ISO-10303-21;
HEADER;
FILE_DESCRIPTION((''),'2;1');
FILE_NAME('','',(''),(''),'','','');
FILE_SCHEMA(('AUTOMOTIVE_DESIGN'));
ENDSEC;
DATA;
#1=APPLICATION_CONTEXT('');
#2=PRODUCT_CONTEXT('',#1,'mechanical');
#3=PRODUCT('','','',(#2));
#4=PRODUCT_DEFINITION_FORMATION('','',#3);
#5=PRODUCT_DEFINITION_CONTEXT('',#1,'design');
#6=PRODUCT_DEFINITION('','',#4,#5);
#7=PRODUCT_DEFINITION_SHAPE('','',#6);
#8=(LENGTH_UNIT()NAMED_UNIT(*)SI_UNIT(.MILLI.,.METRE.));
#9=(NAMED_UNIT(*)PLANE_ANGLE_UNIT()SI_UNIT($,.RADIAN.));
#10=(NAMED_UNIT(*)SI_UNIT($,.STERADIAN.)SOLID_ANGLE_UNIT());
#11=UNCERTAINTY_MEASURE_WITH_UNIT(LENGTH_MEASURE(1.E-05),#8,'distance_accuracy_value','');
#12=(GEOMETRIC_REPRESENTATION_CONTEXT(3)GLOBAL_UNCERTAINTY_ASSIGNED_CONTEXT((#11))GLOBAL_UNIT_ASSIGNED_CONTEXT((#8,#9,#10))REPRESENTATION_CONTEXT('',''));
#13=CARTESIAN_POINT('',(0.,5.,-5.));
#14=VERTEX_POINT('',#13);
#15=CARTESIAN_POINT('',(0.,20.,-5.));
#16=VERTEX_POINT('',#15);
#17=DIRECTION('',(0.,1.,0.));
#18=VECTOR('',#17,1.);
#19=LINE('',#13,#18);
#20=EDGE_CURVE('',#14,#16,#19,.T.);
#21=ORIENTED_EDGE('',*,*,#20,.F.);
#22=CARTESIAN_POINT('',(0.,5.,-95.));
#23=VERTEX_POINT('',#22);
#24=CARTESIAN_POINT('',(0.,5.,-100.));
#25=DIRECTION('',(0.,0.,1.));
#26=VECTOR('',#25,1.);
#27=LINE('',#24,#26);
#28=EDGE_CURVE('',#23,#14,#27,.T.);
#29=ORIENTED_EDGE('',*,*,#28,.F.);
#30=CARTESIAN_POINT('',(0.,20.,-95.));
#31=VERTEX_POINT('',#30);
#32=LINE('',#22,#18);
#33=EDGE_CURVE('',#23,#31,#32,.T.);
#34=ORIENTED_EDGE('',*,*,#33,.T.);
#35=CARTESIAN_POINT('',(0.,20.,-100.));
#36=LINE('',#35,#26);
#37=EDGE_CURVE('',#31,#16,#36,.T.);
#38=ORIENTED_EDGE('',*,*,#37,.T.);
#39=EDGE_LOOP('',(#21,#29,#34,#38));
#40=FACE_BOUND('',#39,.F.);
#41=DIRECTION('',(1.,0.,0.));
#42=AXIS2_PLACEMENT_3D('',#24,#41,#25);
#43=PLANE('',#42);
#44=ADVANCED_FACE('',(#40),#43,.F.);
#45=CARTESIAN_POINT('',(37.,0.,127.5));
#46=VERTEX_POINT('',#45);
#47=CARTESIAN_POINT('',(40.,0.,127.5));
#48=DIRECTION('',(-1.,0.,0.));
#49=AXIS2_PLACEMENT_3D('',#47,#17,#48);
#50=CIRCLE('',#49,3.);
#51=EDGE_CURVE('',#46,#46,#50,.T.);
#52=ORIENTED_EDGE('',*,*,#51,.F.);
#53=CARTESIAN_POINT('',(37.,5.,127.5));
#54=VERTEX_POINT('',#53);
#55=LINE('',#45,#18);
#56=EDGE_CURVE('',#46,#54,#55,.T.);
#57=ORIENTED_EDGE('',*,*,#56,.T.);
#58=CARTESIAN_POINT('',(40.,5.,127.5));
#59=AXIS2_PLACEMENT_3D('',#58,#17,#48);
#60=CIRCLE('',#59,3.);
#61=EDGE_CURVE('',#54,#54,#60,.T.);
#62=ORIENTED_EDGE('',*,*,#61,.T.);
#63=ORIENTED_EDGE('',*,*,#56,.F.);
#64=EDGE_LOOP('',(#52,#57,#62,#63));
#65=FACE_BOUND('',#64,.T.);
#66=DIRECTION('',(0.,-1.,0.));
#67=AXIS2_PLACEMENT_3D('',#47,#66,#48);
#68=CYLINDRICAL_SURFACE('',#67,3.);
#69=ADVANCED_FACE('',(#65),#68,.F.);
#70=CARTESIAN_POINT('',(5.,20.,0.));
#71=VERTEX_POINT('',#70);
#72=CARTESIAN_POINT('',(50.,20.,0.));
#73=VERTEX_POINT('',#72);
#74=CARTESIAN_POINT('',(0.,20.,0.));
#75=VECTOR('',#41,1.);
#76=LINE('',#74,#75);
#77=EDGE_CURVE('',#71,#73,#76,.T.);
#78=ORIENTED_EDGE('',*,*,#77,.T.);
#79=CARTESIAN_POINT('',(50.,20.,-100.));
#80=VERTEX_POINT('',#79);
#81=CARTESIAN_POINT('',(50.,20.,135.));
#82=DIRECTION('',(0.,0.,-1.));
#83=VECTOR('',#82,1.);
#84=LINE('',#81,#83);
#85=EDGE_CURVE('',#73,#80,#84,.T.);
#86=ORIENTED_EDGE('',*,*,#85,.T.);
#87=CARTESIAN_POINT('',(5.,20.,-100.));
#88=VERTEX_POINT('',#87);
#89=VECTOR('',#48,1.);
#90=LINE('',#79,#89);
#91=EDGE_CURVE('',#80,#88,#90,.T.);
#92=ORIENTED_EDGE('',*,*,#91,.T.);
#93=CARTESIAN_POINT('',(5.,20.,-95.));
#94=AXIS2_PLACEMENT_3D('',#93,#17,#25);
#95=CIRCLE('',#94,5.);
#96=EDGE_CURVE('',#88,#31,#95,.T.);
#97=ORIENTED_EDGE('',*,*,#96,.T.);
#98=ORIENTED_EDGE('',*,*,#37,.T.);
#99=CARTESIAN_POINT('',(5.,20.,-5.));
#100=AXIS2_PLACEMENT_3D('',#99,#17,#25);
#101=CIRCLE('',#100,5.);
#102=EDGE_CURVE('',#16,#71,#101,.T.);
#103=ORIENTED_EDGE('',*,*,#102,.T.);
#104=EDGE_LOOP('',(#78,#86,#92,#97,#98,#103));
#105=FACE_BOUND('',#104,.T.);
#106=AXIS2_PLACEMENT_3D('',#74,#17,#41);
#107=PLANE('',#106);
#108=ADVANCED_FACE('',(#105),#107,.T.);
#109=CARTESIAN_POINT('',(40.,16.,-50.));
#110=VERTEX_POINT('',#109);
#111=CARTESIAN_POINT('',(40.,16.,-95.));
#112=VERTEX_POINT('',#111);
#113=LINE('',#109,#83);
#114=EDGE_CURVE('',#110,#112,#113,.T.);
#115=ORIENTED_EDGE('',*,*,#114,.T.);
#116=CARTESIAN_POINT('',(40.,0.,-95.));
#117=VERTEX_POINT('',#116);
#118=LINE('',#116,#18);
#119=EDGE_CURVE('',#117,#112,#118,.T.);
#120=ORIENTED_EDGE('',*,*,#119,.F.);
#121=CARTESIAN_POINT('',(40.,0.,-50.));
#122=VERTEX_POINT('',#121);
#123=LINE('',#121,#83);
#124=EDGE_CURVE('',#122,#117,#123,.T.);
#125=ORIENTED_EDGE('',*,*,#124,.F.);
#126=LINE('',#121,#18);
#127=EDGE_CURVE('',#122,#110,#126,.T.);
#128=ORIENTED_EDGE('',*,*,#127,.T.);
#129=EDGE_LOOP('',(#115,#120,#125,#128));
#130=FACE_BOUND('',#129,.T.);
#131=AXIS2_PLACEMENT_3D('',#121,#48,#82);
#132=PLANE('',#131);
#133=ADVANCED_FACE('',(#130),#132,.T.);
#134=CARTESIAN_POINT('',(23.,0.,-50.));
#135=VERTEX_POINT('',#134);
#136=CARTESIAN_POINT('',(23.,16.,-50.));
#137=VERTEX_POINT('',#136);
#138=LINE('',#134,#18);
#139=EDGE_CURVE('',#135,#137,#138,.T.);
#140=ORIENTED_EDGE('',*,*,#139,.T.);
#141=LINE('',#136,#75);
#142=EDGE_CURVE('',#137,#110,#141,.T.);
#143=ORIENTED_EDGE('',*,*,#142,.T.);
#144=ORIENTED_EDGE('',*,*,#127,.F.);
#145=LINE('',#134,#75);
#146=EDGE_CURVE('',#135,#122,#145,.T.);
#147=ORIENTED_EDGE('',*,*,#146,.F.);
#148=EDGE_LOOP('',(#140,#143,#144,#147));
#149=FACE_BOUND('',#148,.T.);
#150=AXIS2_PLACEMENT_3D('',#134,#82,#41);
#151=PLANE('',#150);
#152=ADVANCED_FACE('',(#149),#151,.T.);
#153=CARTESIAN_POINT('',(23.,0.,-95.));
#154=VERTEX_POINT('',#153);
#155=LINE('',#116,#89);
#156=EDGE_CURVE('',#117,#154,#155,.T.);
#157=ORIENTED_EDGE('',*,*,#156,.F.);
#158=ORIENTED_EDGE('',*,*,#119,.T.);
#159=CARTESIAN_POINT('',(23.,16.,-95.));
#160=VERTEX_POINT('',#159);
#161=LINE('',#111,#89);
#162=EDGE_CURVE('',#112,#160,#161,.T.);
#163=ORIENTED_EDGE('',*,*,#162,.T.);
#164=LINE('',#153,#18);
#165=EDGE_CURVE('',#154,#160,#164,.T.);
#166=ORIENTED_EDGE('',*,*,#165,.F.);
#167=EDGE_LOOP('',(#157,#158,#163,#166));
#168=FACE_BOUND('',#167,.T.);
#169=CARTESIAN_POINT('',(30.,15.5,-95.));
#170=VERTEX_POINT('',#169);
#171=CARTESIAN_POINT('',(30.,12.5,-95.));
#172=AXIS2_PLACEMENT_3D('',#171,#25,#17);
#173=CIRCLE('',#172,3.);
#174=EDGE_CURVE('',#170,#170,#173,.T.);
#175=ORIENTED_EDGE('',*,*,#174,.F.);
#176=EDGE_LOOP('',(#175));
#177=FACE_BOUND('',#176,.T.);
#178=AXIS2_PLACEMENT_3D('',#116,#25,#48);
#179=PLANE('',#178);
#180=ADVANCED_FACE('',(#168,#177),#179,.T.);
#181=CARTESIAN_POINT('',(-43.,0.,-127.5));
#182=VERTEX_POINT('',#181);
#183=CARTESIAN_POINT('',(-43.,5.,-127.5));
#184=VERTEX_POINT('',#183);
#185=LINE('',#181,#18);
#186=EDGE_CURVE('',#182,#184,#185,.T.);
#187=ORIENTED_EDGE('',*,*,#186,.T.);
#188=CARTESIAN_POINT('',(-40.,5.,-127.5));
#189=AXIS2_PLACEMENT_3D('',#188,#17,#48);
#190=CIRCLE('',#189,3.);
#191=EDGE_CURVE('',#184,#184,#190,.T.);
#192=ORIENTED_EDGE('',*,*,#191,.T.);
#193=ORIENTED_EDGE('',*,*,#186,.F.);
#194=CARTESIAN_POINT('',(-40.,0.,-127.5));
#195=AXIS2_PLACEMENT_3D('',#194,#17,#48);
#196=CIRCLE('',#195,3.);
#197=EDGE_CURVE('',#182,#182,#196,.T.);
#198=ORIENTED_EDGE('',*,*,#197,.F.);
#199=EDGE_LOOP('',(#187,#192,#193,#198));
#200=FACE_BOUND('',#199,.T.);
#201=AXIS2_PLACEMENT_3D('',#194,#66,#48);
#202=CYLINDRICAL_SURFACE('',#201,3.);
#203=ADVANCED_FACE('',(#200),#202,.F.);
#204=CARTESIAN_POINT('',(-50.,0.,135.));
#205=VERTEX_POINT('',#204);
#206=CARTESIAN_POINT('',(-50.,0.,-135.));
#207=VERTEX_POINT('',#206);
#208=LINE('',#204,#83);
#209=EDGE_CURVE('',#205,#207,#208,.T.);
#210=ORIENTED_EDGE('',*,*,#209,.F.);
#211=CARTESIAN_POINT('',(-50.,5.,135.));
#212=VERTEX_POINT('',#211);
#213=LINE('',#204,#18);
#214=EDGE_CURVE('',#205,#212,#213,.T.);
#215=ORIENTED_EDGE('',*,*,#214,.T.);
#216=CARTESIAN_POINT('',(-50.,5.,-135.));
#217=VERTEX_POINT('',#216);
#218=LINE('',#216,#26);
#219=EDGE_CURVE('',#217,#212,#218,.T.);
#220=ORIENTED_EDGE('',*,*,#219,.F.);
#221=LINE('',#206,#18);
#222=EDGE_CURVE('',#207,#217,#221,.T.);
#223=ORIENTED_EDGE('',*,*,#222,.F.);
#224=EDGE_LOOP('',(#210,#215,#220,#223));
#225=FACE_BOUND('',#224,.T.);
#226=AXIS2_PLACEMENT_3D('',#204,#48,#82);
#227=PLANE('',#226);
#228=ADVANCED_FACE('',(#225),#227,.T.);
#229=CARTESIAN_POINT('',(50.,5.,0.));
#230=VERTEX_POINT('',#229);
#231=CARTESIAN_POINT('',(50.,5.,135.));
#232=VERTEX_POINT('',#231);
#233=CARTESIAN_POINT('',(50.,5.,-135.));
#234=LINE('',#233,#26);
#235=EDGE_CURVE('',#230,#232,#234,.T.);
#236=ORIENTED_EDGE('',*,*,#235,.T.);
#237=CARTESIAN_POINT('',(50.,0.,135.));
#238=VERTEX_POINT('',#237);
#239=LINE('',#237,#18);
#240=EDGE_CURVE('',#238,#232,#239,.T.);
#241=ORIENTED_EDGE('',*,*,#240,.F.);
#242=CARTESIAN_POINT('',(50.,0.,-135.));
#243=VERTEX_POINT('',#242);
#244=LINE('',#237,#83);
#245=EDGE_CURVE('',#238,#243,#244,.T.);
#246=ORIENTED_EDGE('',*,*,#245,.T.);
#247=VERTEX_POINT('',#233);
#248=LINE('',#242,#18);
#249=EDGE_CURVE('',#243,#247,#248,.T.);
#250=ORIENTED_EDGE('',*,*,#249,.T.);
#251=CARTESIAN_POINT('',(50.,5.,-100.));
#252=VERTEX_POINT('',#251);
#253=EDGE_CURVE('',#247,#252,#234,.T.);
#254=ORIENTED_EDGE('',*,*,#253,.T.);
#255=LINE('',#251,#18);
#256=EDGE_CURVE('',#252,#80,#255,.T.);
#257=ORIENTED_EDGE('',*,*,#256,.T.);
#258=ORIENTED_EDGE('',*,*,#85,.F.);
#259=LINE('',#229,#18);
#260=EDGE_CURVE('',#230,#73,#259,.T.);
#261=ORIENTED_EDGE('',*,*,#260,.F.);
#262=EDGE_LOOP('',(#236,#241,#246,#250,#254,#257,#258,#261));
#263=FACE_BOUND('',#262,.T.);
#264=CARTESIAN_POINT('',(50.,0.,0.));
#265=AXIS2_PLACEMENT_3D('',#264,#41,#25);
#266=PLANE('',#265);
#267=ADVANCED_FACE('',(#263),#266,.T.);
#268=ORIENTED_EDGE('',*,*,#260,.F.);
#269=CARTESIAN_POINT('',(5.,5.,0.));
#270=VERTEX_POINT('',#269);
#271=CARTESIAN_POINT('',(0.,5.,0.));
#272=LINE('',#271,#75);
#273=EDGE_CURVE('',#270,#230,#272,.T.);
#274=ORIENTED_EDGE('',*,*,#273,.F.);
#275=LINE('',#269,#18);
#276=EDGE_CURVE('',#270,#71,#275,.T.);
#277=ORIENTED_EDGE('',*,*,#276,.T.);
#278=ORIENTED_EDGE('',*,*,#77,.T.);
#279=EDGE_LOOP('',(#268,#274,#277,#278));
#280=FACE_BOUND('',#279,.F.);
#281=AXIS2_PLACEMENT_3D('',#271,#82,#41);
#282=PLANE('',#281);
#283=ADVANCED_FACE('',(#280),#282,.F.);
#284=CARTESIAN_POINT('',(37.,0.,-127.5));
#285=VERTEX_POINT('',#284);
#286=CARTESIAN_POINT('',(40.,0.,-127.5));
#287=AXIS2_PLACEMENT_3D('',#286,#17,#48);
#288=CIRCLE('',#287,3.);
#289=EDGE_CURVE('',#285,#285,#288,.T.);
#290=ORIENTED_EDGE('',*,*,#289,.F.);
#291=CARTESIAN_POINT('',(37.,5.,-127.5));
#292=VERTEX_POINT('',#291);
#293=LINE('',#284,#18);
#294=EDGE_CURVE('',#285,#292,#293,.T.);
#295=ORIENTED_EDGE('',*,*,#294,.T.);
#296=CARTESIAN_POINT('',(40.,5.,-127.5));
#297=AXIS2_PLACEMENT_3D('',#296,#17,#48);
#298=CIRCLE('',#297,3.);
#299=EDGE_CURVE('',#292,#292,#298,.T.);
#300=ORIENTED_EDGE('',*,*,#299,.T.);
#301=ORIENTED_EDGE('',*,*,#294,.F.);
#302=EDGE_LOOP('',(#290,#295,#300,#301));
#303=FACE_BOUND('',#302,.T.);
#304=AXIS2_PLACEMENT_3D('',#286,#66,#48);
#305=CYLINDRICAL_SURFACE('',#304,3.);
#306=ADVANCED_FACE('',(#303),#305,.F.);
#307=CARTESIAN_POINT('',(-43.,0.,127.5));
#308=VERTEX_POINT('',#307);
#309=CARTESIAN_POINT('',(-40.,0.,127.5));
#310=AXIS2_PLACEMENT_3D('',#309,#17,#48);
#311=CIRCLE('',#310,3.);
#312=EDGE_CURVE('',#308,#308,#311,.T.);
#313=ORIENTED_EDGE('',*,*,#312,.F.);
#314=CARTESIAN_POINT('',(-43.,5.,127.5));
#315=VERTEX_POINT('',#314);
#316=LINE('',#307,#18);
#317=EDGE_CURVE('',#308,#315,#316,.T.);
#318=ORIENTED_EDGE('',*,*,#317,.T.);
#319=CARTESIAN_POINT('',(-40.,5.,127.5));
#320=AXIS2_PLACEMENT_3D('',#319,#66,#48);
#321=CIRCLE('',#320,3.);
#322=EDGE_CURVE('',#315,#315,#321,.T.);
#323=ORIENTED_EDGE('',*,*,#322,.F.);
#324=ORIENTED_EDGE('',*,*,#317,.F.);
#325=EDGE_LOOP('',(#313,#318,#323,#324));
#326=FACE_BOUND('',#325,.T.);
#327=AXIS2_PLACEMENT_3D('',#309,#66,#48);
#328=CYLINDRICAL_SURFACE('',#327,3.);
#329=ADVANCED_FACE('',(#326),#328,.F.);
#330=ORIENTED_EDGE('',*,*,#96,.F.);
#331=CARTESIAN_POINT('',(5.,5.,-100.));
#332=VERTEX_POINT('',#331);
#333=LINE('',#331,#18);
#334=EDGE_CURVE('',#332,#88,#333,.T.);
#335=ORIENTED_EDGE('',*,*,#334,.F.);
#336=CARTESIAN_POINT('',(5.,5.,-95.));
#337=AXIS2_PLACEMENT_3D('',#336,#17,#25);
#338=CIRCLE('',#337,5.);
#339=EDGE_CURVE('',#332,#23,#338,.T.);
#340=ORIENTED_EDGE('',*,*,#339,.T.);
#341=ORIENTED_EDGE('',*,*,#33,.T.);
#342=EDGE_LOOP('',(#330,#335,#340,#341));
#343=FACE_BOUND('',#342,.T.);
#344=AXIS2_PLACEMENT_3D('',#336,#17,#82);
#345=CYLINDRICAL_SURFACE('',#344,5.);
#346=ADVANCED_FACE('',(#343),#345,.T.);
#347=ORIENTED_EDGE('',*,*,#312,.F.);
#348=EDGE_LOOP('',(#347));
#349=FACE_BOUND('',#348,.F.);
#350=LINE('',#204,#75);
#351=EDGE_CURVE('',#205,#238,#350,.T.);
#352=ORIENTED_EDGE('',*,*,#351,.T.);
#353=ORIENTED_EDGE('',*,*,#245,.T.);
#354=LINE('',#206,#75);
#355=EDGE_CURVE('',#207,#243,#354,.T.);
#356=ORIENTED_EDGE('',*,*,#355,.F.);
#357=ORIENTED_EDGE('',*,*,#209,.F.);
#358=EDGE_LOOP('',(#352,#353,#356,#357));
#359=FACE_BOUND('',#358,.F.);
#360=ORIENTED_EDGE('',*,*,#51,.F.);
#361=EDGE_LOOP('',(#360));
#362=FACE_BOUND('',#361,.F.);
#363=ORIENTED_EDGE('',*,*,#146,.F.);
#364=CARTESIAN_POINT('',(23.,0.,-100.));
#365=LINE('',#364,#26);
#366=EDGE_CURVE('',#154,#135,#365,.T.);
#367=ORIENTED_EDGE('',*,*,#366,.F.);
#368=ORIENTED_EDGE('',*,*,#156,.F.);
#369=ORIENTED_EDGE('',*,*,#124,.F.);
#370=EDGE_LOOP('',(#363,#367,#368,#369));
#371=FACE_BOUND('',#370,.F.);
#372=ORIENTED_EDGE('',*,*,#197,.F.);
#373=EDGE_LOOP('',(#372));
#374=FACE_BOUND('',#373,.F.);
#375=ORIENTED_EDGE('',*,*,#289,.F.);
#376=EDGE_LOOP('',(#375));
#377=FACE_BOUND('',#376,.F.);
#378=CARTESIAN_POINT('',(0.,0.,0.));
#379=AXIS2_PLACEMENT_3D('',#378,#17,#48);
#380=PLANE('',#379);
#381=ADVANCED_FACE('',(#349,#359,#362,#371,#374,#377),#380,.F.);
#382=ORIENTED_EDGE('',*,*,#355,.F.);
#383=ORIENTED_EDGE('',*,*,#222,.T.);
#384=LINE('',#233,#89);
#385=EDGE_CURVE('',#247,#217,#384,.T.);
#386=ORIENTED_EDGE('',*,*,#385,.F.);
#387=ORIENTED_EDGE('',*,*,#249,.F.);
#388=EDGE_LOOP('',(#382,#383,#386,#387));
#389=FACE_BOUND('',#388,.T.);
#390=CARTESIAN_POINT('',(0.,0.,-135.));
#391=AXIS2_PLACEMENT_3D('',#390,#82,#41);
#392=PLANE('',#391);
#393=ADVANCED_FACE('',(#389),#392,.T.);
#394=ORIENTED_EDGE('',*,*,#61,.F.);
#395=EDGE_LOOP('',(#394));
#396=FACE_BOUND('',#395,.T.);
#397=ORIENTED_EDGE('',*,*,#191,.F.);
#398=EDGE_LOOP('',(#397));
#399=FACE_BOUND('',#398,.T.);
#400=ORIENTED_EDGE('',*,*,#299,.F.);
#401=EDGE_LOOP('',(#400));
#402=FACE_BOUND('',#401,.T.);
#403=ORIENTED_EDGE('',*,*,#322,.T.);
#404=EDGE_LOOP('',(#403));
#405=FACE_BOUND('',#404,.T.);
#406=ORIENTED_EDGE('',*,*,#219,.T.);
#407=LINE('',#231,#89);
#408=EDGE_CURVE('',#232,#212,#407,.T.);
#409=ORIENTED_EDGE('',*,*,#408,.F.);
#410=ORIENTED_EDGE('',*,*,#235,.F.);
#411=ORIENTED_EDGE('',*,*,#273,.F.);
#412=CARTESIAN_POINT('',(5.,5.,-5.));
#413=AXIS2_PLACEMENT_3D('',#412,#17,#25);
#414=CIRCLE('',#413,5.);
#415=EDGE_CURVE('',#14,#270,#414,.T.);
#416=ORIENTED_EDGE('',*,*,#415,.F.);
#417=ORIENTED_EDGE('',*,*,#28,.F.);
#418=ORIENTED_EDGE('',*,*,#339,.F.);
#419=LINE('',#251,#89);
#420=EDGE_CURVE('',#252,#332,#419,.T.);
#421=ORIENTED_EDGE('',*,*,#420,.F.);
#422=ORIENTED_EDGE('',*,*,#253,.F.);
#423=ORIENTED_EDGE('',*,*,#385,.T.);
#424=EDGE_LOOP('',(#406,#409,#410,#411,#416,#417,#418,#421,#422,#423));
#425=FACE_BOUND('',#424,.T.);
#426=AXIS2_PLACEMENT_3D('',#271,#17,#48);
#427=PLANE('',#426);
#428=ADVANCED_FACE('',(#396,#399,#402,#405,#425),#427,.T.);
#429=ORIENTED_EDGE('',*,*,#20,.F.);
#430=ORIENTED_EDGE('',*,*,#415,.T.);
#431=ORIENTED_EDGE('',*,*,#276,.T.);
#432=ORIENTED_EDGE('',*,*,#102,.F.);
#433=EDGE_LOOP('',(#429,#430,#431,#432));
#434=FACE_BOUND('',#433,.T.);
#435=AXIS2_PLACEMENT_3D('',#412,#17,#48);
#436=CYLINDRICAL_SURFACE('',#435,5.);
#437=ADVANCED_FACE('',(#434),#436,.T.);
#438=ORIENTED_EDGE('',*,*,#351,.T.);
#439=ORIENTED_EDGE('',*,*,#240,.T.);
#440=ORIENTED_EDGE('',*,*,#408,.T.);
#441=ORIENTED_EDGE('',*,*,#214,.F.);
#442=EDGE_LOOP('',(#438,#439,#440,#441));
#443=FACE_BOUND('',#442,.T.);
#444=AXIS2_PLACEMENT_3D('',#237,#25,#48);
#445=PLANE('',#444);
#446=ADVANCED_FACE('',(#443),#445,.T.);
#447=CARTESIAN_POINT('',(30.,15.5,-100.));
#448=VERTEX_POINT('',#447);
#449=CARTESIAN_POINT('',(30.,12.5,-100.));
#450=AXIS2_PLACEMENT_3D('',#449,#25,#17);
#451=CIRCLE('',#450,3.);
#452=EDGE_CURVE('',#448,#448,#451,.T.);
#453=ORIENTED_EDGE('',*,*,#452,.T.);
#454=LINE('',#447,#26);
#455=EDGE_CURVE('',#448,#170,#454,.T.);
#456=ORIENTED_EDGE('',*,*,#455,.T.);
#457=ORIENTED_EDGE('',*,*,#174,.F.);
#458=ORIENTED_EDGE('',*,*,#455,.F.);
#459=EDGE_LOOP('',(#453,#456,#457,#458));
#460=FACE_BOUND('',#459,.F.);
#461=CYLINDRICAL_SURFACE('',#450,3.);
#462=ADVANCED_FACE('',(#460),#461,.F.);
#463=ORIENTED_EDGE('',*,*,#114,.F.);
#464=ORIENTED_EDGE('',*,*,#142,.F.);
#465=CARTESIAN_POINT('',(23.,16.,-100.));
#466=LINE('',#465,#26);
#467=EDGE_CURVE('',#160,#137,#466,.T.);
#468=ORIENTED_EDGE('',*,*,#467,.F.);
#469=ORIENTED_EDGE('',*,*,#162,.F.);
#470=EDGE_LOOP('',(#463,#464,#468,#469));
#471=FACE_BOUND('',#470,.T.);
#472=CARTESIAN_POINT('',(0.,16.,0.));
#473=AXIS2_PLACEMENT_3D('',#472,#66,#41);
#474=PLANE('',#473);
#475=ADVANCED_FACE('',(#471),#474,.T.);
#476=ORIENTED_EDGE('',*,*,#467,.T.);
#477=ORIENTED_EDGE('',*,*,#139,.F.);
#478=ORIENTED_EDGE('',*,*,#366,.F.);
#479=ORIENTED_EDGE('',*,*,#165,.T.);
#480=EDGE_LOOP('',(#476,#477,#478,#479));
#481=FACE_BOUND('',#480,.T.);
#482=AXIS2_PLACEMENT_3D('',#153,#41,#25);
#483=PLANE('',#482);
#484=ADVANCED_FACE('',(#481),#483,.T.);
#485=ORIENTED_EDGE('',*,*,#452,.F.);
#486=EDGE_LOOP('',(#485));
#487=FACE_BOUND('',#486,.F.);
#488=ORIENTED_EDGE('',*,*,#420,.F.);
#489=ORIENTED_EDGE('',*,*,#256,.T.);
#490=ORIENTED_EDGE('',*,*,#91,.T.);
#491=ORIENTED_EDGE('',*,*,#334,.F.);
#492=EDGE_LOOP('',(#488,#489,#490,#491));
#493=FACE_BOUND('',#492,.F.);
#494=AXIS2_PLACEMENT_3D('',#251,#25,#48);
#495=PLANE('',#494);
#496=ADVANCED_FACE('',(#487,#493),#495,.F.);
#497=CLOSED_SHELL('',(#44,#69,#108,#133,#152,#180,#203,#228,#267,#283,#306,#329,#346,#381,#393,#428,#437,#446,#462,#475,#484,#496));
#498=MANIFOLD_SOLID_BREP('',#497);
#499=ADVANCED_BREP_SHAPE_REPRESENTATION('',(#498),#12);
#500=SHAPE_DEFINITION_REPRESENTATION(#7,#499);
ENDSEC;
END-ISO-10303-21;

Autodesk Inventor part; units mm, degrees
ref_plane "YZ Plane" through (0, 0, 0) normal (1, 0, 0) x (0, 1, 0)
ref_plane "XZ Plane" through (0, 0, 0) normal (0, 1, 0) x (-1, 0, 0)
ref_plane "XY Plane" through (0, 0, 0) normal (0, 0, 1) x (1, 0, 0)
sketch "Sketch1" plane through (0, 0, 0) normal (0, 1, 0) x (-1, 0, 0)
  line L0 (0, 0) -> (0, 135)
  line L1 (0, 135) -> (0, -135)
  line L2 (0, -135) -> (50, -135)
  line L3 (50, -135) -> (-50, -135)
  line L4 (-50, -135) -> (-50, 135)
  line L5 (-50, 135) -> (50, 135)
  line L6 (50, 135) -> (50, -135)
  line L7 (50, 135) -> (50, 127.5)
  line L8 (50, 127.5) -> (40, 127.5)
  circle A0 centre (40, 127.5) radius 3
  line L9 (40, 127.5) -> (-40, 127.5)
  circle A1 centre (-40, 127.5) radius 3
  line L10 (50, 0) -> (-50, 0)
  circle A2 centre (40, -127.5) radius 3
  circle A3 centre (-40, -127.5) radius 3
  dimension "d0" = 135
  dimension "d1" = 270
  dimension "d2" = 50
  dimension "d3" = 100
  dimension "d4" = 7.5
  dimension "d5" = 10
  dimension "d6" = 6
  dimension "d7" = 80
  dimension "d8" = 6
extrude "Extrusion1" add sketch "Sketch1" along normal blind 5 contours L10 L4 L5 L0 | L10 L6 L2 L1 | L0 L9 A0 L8 L6 L10 | L1 L3 L4 L10 | L0 L5 L6 L8 A0 L9
sketch "Sketch2" plane through (0, 5, 0) normal (0, 1, 0) x (1, 0, 0)
  line L0 (0, 0) -> (50, 0)
  line L1 (50, -135) -> (50, 135) projected
  line L2 (50, 0) -> (50, 100)
  line L3 (50, 100) -> (0, 100)
  line L4 (0, 100) -> (0, 0)
  dimension "d11" = 100
extrude "Extrusion2" add sketch "Sketch2" along normal blind 15
fillet "Fillet1" radius 5 1 edges at (0, 12.5, -100)
fillet "Fillet2" radius 5 1 edges at (0, 12.5, 0)
sketch "Sketch3" plane through (50, 5, -100) normal (0, 0, -1) x (-1, 0, 0)
  line L0 (0, 0) -> (0, 15) projected
  line L1 (0, 0) -> (0, 7.5)
  line L2 (0, 7.5) -> (20, 7.5)
  circle A0 centre (20, 7.5) radius 2.5
  point P0 (50, -5)
  dimension "d16" = 7.5
  dimension "d17" = 20
  dimension "d18" = 5
hole "Hole1" at (30, 12.5, -100) direction (0, 0, 1) diameter 6 depth 20 tip angle 118
sketch "Sketch4" plane through (0, 0, 0) normal (0, -1, 0) x (1, 0, 0)
  line L0 (50, -135) -> (-50, -135) projected
  line L1 (50, -135) -> (33, -135)
  line L2 (33, -135) -> (33, -100)
  line L3 (5, -100) -> (50, -100) projected
  line L4 (33, -100) -> (40, -100)
  line L5 (40, -100) -> (23, -100)
  line L6 (23, -100) -> (23, -50)
  line L7 (23, -50) -> (40, -50)
  line L8 (40, -50) -> (40, -100)
  line L9 (40, -100) -> (40, -95)
  line L10 (40, -95) -> (23, -95)
  line L11 (23, -95) -> (23, -100)
  point P0 (0, 0)
  dimension "d26" = 17
  dimension "d27" = 35
  dimension "d28" = 7
  dimension "d29" = 17
  dimension "d30" = 50
  dimension "d31" = 5
extrude "Extrusion3" cut sketch "Sketch4" against normal blind 16 contours L6 L7 L8 L10
properties part number "side_front"
